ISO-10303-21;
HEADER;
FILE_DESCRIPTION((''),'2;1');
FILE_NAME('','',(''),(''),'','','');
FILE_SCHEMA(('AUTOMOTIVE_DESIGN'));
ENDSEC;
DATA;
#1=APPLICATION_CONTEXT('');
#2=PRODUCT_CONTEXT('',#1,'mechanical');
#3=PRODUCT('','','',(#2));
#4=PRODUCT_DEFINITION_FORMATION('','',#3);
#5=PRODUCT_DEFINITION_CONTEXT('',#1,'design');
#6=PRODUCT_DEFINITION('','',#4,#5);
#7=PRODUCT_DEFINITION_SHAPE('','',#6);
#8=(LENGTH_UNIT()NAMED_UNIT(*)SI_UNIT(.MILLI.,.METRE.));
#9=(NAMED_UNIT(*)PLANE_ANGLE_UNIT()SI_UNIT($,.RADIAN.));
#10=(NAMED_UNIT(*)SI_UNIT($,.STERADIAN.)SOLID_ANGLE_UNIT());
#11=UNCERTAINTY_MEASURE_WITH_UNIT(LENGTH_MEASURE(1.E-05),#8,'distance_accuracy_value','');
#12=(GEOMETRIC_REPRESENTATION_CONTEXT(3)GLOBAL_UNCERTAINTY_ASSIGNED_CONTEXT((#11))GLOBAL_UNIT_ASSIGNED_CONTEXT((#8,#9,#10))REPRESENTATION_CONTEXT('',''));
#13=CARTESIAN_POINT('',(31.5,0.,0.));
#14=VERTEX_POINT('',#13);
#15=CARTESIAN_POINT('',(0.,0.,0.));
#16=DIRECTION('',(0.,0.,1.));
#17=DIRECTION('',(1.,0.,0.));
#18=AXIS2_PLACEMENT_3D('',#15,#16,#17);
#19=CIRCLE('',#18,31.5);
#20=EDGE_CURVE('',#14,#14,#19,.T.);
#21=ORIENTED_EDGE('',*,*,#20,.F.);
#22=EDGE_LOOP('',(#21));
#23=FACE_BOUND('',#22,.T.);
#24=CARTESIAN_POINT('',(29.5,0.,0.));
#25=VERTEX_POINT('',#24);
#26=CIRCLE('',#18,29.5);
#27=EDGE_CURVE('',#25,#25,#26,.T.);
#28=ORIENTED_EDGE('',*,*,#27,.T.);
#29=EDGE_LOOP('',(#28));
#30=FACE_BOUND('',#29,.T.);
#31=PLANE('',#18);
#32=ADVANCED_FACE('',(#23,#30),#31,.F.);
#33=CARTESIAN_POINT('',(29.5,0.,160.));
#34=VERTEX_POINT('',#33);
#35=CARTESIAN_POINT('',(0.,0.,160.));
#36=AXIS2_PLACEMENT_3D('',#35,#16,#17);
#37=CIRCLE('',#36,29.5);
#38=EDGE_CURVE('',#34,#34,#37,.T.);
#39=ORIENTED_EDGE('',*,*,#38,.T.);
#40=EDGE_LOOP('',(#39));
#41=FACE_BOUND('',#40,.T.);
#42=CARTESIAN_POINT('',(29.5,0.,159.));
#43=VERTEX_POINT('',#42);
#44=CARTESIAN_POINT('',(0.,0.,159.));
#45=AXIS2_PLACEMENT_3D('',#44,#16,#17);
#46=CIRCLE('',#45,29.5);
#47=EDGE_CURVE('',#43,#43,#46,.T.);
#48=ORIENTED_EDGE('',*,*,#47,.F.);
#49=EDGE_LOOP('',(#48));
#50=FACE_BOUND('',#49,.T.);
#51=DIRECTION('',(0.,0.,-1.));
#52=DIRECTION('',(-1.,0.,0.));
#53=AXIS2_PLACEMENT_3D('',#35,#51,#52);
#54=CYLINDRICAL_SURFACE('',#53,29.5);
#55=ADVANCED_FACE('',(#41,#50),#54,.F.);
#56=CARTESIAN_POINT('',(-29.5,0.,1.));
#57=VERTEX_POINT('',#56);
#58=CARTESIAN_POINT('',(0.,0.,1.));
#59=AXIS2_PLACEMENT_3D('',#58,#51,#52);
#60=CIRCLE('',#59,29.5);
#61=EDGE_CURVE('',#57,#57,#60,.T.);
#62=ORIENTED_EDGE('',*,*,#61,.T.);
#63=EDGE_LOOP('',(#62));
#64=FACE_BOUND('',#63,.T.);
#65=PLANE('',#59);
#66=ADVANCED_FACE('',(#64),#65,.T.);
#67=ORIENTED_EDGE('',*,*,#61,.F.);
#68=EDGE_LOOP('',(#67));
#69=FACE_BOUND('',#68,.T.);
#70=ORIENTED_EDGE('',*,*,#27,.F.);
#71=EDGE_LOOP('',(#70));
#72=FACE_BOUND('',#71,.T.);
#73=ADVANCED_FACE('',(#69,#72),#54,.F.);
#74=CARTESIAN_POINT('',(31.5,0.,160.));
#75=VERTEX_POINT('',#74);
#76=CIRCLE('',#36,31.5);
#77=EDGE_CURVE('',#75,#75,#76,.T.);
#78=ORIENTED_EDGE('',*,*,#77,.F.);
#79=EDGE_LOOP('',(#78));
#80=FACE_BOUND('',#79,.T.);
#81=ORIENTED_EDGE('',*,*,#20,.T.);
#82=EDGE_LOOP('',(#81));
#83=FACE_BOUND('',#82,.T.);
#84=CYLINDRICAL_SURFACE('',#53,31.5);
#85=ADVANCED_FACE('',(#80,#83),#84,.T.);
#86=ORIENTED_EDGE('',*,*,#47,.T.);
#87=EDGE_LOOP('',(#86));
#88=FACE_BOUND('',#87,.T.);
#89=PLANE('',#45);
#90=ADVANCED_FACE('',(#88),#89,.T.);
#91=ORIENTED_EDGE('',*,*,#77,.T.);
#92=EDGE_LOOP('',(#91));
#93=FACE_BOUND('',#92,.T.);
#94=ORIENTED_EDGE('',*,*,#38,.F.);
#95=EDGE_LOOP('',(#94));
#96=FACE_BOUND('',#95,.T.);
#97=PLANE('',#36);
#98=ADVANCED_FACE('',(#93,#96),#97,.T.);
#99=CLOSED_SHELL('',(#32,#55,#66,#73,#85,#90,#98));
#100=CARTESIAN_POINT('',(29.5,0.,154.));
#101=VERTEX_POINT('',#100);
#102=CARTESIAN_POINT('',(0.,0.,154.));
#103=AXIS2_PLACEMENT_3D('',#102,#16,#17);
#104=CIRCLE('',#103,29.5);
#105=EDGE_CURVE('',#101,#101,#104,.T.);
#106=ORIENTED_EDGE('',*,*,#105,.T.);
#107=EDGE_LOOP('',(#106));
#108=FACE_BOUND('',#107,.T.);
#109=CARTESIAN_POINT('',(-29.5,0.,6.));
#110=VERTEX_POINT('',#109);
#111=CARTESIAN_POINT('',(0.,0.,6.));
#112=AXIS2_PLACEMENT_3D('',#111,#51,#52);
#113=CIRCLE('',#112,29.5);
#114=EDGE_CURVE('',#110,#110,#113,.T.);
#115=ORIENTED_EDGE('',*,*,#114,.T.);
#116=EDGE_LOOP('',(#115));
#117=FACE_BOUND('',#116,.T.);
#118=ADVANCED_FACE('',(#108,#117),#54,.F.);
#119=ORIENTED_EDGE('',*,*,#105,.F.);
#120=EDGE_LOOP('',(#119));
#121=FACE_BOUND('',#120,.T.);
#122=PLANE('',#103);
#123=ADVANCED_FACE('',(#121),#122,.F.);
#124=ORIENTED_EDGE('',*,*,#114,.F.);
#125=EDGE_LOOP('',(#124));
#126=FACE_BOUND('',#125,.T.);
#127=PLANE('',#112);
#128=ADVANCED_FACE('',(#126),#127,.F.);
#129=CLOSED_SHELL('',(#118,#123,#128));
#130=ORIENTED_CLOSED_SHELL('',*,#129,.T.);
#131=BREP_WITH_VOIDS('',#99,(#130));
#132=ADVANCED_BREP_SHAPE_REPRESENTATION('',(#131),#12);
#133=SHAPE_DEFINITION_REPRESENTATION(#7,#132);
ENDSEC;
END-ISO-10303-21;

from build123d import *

# Parameters (mm, degrees)
ESQUISSE1_R        = 31.5
ESQUISSE1_R_2      = 29.5
BOSS_EXTRU_1_DEPTH = 160
ESQUISSE2_R        = 30
BOSS_EXTRU_2_DEPTH = 5
ESQUISSE3_R        = 30
BOSS_EXTRU_3_DEPTH = 5


with BuildPart() as part:
    # Esquisse1 → Boss.-Extru.1 (new body)
    with BuildSketch(Plane.XY):
        Circle(ESQUISSE1_R)
        Circle(ESQUISSE1_R_2, mode=Mode.SUBTRACT)
    extrude(amount=BOSS_EXTRU_1_DEPTH)

    # Esquisse2 → Boss.-Extru.2 (add)
    with BuildSketch(Plane(origin=(0, 0, 1), x_dir=(-1, 0, 0), z_dir=(0, 0, -1))):
        Circle(ESQUISSE2_R)
    extrude(amount=-BOSS_EXTRU_2_DEPTH)

    # Esquisse3 → Boss.-Extru.3 (add)
    with BuildSketch(Plane.XY.offset(159)):
        Circle(ESQUISSE3_R)
    extrude(amount=-BOSS_EXTRU_3_DEPTH)


solid = part.part
